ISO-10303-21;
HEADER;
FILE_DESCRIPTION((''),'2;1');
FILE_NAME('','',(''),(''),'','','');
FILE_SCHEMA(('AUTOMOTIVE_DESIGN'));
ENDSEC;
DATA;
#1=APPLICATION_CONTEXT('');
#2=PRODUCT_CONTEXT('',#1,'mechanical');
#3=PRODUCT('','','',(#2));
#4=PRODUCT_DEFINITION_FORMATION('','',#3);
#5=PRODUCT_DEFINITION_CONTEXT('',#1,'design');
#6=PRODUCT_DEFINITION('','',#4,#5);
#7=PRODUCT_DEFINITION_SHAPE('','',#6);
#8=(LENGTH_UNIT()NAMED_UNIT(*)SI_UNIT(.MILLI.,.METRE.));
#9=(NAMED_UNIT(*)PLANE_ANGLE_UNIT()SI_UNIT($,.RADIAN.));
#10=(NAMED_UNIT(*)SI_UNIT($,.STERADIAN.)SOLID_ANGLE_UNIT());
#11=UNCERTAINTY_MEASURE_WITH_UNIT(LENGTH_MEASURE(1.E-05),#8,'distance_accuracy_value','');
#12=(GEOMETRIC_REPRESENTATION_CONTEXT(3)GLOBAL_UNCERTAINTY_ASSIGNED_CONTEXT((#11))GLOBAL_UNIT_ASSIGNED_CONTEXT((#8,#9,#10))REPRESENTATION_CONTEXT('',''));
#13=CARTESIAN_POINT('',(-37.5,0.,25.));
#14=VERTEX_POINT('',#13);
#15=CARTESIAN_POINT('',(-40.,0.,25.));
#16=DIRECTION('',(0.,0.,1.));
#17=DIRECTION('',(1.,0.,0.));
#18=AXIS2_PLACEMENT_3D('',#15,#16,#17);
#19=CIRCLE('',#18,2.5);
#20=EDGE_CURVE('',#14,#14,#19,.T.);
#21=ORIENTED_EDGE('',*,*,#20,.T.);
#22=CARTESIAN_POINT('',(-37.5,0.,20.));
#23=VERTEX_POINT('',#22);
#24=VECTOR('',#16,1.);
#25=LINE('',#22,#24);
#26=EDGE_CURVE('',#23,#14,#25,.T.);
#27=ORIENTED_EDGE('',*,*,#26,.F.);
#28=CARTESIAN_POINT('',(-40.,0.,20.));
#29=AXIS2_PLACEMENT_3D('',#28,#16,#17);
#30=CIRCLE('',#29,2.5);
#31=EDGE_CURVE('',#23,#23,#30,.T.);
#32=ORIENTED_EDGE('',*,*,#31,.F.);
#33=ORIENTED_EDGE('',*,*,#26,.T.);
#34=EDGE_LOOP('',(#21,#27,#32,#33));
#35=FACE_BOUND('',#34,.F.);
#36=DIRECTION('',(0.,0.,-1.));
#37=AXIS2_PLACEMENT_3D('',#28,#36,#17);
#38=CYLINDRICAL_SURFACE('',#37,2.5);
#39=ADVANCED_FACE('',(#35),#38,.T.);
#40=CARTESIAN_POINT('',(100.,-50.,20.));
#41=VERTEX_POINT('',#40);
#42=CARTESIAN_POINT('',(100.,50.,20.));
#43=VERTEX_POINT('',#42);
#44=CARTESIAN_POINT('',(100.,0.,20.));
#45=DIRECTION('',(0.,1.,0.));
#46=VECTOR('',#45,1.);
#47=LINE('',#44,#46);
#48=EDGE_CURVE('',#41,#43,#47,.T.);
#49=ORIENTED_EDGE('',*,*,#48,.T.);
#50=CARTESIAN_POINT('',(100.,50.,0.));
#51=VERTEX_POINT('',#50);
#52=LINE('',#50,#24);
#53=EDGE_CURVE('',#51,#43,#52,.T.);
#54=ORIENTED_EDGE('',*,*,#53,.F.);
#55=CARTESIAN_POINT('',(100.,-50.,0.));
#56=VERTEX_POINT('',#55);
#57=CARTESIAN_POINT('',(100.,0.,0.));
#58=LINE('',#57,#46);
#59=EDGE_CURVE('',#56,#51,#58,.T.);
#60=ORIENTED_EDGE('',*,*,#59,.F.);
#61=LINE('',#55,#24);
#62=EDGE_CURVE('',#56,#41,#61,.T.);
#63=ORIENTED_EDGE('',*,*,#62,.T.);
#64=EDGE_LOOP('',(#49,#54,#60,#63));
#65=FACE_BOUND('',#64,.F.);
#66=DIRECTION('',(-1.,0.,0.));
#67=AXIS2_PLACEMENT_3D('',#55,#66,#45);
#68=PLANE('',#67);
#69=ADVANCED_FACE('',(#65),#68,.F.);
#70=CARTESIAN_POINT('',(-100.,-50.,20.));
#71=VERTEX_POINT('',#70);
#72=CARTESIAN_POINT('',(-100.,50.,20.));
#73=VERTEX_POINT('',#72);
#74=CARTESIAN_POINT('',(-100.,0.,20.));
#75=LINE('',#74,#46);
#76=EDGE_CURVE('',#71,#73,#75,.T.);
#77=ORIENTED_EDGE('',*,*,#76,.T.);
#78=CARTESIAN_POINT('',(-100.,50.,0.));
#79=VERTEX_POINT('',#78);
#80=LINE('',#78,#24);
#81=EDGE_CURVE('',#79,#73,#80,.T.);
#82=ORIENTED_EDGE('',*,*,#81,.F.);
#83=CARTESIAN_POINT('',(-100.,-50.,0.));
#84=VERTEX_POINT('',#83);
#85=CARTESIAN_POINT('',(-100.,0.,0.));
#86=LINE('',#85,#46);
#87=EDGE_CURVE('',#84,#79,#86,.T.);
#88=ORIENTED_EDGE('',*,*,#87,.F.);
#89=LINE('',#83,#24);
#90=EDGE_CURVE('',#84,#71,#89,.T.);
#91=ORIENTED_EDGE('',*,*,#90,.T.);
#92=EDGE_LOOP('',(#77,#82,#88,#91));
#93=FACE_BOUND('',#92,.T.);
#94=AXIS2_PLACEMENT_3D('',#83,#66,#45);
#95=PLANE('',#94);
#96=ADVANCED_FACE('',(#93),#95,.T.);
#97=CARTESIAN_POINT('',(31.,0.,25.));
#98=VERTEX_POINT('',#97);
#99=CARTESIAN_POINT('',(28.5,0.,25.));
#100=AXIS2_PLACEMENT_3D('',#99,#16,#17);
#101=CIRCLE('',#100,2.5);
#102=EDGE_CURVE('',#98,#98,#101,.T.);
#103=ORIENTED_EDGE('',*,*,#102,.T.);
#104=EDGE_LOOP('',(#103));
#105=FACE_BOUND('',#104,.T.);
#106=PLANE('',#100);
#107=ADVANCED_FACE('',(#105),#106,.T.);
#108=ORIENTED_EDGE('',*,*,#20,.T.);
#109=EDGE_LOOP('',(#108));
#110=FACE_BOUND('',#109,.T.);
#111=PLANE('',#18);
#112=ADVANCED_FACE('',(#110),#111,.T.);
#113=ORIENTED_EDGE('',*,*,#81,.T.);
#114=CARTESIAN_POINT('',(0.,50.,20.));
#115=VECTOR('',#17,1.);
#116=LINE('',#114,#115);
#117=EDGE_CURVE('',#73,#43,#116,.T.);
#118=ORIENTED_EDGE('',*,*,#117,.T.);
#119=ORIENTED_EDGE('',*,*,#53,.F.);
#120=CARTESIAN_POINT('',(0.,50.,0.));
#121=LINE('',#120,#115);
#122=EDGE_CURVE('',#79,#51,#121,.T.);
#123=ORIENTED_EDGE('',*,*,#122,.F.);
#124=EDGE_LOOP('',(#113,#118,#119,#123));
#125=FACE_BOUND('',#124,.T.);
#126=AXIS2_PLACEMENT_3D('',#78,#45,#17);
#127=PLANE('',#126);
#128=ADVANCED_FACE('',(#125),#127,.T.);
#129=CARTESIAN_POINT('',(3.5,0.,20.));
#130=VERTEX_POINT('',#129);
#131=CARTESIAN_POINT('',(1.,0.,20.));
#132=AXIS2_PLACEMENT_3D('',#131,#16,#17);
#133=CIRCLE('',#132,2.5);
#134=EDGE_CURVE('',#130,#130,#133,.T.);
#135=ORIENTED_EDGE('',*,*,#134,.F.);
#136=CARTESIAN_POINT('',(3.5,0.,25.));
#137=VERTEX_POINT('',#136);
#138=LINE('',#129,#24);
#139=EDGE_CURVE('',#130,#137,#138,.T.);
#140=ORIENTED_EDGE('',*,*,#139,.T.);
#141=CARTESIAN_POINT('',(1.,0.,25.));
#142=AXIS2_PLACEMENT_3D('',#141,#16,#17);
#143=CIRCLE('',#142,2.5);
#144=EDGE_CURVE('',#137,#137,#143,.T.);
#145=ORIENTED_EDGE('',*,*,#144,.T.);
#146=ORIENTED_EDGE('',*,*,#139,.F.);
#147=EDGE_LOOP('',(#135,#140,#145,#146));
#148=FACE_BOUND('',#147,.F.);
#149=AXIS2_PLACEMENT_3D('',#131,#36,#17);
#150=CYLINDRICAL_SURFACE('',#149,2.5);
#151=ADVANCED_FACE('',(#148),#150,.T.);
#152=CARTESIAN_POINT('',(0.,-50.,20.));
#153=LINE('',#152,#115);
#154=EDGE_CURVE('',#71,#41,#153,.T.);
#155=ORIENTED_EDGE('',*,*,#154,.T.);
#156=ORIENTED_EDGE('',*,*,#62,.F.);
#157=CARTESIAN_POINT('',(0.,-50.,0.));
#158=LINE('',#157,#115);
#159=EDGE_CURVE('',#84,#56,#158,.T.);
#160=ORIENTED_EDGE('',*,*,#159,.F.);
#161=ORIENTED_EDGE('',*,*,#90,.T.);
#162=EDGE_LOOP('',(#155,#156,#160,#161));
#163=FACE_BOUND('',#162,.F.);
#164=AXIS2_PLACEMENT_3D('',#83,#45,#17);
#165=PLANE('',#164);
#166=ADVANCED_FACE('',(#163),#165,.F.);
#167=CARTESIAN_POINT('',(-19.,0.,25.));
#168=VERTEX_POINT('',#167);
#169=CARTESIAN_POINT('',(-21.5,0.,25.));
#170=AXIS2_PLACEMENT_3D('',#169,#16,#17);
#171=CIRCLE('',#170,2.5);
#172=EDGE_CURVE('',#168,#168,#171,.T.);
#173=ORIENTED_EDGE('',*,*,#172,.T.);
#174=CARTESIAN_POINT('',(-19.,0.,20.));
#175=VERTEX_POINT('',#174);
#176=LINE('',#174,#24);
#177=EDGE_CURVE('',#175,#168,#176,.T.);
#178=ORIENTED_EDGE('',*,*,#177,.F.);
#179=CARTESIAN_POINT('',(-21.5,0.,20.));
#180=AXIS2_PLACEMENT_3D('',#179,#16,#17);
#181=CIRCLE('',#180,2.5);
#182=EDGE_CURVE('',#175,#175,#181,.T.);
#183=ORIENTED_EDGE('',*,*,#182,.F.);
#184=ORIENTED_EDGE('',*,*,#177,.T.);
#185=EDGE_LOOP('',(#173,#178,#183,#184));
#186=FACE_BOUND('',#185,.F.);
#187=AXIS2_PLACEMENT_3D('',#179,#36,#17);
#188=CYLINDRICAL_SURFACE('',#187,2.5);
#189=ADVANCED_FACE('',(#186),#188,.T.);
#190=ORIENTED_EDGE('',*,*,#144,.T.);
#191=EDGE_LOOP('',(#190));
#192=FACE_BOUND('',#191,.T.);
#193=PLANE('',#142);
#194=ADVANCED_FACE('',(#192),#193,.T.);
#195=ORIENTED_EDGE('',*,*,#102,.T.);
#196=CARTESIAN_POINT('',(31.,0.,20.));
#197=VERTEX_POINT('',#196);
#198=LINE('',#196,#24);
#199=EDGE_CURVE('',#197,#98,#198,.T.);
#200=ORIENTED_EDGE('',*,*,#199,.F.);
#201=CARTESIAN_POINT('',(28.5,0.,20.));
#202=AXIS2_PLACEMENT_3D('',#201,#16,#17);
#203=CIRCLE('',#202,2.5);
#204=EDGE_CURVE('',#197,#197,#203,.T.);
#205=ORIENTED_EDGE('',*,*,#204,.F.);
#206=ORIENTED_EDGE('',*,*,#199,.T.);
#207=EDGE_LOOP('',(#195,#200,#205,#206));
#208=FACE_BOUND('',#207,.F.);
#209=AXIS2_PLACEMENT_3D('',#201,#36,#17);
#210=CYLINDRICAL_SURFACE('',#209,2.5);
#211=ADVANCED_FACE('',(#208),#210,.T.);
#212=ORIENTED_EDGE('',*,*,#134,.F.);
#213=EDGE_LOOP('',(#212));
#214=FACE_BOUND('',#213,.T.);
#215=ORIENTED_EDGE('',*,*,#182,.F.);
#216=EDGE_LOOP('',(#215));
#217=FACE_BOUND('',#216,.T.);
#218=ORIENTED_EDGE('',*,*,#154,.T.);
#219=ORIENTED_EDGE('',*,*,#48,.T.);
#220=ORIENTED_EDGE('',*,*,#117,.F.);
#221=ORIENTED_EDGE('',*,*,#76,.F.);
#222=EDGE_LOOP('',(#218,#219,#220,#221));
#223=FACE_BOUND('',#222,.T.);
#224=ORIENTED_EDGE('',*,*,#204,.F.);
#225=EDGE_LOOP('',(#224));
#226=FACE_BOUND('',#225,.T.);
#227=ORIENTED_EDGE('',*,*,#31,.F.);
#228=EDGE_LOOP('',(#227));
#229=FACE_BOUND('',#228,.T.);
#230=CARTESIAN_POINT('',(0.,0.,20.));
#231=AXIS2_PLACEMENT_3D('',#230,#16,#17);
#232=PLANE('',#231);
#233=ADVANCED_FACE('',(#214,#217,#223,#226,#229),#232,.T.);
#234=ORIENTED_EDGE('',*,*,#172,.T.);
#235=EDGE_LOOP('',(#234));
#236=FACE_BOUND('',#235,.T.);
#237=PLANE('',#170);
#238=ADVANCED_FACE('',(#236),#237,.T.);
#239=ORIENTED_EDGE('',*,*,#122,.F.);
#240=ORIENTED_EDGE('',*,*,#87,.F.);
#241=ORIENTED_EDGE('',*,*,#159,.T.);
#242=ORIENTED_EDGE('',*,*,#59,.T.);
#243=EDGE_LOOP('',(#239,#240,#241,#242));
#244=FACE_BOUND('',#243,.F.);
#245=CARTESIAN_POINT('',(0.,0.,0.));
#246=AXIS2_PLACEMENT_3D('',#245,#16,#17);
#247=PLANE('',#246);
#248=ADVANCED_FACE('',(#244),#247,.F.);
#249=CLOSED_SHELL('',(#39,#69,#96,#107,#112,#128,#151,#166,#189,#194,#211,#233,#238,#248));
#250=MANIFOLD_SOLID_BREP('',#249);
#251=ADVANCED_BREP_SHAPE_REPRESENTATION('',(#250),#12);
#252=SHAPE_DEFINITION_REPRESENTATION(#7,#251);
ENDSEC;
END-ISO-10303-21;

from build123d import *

# Parameters (mm, degrees)
F0_W     = 200
F0_H     = 100
F1_DEPTH = 20
F2_R     = 2.5
F3_DEPTH = 5


with BuildPart() as f1:
    # F0 (on Top) → F1 (new body)
    with BuildSketch(Plane.XY):
        Rectangle(F0_W, F0_H)
    extrude(amount=F1_DEPTH)

    # F2 (on face) → F3 (join)
    with BuildSketch(Plane.XY.offset(20)):
        with Locations((-40, 0)):
            Circle(F2_R)
        with Locations((-21.5, 0)):
            Circle(F2_R)
        with Locations((1, 0)):
            Circle(F2_R)
        with Locations((28.5, 0)):
            Circle(F2_R)
    extrude(amount=F3_DEPTH)


solid = f1.part
